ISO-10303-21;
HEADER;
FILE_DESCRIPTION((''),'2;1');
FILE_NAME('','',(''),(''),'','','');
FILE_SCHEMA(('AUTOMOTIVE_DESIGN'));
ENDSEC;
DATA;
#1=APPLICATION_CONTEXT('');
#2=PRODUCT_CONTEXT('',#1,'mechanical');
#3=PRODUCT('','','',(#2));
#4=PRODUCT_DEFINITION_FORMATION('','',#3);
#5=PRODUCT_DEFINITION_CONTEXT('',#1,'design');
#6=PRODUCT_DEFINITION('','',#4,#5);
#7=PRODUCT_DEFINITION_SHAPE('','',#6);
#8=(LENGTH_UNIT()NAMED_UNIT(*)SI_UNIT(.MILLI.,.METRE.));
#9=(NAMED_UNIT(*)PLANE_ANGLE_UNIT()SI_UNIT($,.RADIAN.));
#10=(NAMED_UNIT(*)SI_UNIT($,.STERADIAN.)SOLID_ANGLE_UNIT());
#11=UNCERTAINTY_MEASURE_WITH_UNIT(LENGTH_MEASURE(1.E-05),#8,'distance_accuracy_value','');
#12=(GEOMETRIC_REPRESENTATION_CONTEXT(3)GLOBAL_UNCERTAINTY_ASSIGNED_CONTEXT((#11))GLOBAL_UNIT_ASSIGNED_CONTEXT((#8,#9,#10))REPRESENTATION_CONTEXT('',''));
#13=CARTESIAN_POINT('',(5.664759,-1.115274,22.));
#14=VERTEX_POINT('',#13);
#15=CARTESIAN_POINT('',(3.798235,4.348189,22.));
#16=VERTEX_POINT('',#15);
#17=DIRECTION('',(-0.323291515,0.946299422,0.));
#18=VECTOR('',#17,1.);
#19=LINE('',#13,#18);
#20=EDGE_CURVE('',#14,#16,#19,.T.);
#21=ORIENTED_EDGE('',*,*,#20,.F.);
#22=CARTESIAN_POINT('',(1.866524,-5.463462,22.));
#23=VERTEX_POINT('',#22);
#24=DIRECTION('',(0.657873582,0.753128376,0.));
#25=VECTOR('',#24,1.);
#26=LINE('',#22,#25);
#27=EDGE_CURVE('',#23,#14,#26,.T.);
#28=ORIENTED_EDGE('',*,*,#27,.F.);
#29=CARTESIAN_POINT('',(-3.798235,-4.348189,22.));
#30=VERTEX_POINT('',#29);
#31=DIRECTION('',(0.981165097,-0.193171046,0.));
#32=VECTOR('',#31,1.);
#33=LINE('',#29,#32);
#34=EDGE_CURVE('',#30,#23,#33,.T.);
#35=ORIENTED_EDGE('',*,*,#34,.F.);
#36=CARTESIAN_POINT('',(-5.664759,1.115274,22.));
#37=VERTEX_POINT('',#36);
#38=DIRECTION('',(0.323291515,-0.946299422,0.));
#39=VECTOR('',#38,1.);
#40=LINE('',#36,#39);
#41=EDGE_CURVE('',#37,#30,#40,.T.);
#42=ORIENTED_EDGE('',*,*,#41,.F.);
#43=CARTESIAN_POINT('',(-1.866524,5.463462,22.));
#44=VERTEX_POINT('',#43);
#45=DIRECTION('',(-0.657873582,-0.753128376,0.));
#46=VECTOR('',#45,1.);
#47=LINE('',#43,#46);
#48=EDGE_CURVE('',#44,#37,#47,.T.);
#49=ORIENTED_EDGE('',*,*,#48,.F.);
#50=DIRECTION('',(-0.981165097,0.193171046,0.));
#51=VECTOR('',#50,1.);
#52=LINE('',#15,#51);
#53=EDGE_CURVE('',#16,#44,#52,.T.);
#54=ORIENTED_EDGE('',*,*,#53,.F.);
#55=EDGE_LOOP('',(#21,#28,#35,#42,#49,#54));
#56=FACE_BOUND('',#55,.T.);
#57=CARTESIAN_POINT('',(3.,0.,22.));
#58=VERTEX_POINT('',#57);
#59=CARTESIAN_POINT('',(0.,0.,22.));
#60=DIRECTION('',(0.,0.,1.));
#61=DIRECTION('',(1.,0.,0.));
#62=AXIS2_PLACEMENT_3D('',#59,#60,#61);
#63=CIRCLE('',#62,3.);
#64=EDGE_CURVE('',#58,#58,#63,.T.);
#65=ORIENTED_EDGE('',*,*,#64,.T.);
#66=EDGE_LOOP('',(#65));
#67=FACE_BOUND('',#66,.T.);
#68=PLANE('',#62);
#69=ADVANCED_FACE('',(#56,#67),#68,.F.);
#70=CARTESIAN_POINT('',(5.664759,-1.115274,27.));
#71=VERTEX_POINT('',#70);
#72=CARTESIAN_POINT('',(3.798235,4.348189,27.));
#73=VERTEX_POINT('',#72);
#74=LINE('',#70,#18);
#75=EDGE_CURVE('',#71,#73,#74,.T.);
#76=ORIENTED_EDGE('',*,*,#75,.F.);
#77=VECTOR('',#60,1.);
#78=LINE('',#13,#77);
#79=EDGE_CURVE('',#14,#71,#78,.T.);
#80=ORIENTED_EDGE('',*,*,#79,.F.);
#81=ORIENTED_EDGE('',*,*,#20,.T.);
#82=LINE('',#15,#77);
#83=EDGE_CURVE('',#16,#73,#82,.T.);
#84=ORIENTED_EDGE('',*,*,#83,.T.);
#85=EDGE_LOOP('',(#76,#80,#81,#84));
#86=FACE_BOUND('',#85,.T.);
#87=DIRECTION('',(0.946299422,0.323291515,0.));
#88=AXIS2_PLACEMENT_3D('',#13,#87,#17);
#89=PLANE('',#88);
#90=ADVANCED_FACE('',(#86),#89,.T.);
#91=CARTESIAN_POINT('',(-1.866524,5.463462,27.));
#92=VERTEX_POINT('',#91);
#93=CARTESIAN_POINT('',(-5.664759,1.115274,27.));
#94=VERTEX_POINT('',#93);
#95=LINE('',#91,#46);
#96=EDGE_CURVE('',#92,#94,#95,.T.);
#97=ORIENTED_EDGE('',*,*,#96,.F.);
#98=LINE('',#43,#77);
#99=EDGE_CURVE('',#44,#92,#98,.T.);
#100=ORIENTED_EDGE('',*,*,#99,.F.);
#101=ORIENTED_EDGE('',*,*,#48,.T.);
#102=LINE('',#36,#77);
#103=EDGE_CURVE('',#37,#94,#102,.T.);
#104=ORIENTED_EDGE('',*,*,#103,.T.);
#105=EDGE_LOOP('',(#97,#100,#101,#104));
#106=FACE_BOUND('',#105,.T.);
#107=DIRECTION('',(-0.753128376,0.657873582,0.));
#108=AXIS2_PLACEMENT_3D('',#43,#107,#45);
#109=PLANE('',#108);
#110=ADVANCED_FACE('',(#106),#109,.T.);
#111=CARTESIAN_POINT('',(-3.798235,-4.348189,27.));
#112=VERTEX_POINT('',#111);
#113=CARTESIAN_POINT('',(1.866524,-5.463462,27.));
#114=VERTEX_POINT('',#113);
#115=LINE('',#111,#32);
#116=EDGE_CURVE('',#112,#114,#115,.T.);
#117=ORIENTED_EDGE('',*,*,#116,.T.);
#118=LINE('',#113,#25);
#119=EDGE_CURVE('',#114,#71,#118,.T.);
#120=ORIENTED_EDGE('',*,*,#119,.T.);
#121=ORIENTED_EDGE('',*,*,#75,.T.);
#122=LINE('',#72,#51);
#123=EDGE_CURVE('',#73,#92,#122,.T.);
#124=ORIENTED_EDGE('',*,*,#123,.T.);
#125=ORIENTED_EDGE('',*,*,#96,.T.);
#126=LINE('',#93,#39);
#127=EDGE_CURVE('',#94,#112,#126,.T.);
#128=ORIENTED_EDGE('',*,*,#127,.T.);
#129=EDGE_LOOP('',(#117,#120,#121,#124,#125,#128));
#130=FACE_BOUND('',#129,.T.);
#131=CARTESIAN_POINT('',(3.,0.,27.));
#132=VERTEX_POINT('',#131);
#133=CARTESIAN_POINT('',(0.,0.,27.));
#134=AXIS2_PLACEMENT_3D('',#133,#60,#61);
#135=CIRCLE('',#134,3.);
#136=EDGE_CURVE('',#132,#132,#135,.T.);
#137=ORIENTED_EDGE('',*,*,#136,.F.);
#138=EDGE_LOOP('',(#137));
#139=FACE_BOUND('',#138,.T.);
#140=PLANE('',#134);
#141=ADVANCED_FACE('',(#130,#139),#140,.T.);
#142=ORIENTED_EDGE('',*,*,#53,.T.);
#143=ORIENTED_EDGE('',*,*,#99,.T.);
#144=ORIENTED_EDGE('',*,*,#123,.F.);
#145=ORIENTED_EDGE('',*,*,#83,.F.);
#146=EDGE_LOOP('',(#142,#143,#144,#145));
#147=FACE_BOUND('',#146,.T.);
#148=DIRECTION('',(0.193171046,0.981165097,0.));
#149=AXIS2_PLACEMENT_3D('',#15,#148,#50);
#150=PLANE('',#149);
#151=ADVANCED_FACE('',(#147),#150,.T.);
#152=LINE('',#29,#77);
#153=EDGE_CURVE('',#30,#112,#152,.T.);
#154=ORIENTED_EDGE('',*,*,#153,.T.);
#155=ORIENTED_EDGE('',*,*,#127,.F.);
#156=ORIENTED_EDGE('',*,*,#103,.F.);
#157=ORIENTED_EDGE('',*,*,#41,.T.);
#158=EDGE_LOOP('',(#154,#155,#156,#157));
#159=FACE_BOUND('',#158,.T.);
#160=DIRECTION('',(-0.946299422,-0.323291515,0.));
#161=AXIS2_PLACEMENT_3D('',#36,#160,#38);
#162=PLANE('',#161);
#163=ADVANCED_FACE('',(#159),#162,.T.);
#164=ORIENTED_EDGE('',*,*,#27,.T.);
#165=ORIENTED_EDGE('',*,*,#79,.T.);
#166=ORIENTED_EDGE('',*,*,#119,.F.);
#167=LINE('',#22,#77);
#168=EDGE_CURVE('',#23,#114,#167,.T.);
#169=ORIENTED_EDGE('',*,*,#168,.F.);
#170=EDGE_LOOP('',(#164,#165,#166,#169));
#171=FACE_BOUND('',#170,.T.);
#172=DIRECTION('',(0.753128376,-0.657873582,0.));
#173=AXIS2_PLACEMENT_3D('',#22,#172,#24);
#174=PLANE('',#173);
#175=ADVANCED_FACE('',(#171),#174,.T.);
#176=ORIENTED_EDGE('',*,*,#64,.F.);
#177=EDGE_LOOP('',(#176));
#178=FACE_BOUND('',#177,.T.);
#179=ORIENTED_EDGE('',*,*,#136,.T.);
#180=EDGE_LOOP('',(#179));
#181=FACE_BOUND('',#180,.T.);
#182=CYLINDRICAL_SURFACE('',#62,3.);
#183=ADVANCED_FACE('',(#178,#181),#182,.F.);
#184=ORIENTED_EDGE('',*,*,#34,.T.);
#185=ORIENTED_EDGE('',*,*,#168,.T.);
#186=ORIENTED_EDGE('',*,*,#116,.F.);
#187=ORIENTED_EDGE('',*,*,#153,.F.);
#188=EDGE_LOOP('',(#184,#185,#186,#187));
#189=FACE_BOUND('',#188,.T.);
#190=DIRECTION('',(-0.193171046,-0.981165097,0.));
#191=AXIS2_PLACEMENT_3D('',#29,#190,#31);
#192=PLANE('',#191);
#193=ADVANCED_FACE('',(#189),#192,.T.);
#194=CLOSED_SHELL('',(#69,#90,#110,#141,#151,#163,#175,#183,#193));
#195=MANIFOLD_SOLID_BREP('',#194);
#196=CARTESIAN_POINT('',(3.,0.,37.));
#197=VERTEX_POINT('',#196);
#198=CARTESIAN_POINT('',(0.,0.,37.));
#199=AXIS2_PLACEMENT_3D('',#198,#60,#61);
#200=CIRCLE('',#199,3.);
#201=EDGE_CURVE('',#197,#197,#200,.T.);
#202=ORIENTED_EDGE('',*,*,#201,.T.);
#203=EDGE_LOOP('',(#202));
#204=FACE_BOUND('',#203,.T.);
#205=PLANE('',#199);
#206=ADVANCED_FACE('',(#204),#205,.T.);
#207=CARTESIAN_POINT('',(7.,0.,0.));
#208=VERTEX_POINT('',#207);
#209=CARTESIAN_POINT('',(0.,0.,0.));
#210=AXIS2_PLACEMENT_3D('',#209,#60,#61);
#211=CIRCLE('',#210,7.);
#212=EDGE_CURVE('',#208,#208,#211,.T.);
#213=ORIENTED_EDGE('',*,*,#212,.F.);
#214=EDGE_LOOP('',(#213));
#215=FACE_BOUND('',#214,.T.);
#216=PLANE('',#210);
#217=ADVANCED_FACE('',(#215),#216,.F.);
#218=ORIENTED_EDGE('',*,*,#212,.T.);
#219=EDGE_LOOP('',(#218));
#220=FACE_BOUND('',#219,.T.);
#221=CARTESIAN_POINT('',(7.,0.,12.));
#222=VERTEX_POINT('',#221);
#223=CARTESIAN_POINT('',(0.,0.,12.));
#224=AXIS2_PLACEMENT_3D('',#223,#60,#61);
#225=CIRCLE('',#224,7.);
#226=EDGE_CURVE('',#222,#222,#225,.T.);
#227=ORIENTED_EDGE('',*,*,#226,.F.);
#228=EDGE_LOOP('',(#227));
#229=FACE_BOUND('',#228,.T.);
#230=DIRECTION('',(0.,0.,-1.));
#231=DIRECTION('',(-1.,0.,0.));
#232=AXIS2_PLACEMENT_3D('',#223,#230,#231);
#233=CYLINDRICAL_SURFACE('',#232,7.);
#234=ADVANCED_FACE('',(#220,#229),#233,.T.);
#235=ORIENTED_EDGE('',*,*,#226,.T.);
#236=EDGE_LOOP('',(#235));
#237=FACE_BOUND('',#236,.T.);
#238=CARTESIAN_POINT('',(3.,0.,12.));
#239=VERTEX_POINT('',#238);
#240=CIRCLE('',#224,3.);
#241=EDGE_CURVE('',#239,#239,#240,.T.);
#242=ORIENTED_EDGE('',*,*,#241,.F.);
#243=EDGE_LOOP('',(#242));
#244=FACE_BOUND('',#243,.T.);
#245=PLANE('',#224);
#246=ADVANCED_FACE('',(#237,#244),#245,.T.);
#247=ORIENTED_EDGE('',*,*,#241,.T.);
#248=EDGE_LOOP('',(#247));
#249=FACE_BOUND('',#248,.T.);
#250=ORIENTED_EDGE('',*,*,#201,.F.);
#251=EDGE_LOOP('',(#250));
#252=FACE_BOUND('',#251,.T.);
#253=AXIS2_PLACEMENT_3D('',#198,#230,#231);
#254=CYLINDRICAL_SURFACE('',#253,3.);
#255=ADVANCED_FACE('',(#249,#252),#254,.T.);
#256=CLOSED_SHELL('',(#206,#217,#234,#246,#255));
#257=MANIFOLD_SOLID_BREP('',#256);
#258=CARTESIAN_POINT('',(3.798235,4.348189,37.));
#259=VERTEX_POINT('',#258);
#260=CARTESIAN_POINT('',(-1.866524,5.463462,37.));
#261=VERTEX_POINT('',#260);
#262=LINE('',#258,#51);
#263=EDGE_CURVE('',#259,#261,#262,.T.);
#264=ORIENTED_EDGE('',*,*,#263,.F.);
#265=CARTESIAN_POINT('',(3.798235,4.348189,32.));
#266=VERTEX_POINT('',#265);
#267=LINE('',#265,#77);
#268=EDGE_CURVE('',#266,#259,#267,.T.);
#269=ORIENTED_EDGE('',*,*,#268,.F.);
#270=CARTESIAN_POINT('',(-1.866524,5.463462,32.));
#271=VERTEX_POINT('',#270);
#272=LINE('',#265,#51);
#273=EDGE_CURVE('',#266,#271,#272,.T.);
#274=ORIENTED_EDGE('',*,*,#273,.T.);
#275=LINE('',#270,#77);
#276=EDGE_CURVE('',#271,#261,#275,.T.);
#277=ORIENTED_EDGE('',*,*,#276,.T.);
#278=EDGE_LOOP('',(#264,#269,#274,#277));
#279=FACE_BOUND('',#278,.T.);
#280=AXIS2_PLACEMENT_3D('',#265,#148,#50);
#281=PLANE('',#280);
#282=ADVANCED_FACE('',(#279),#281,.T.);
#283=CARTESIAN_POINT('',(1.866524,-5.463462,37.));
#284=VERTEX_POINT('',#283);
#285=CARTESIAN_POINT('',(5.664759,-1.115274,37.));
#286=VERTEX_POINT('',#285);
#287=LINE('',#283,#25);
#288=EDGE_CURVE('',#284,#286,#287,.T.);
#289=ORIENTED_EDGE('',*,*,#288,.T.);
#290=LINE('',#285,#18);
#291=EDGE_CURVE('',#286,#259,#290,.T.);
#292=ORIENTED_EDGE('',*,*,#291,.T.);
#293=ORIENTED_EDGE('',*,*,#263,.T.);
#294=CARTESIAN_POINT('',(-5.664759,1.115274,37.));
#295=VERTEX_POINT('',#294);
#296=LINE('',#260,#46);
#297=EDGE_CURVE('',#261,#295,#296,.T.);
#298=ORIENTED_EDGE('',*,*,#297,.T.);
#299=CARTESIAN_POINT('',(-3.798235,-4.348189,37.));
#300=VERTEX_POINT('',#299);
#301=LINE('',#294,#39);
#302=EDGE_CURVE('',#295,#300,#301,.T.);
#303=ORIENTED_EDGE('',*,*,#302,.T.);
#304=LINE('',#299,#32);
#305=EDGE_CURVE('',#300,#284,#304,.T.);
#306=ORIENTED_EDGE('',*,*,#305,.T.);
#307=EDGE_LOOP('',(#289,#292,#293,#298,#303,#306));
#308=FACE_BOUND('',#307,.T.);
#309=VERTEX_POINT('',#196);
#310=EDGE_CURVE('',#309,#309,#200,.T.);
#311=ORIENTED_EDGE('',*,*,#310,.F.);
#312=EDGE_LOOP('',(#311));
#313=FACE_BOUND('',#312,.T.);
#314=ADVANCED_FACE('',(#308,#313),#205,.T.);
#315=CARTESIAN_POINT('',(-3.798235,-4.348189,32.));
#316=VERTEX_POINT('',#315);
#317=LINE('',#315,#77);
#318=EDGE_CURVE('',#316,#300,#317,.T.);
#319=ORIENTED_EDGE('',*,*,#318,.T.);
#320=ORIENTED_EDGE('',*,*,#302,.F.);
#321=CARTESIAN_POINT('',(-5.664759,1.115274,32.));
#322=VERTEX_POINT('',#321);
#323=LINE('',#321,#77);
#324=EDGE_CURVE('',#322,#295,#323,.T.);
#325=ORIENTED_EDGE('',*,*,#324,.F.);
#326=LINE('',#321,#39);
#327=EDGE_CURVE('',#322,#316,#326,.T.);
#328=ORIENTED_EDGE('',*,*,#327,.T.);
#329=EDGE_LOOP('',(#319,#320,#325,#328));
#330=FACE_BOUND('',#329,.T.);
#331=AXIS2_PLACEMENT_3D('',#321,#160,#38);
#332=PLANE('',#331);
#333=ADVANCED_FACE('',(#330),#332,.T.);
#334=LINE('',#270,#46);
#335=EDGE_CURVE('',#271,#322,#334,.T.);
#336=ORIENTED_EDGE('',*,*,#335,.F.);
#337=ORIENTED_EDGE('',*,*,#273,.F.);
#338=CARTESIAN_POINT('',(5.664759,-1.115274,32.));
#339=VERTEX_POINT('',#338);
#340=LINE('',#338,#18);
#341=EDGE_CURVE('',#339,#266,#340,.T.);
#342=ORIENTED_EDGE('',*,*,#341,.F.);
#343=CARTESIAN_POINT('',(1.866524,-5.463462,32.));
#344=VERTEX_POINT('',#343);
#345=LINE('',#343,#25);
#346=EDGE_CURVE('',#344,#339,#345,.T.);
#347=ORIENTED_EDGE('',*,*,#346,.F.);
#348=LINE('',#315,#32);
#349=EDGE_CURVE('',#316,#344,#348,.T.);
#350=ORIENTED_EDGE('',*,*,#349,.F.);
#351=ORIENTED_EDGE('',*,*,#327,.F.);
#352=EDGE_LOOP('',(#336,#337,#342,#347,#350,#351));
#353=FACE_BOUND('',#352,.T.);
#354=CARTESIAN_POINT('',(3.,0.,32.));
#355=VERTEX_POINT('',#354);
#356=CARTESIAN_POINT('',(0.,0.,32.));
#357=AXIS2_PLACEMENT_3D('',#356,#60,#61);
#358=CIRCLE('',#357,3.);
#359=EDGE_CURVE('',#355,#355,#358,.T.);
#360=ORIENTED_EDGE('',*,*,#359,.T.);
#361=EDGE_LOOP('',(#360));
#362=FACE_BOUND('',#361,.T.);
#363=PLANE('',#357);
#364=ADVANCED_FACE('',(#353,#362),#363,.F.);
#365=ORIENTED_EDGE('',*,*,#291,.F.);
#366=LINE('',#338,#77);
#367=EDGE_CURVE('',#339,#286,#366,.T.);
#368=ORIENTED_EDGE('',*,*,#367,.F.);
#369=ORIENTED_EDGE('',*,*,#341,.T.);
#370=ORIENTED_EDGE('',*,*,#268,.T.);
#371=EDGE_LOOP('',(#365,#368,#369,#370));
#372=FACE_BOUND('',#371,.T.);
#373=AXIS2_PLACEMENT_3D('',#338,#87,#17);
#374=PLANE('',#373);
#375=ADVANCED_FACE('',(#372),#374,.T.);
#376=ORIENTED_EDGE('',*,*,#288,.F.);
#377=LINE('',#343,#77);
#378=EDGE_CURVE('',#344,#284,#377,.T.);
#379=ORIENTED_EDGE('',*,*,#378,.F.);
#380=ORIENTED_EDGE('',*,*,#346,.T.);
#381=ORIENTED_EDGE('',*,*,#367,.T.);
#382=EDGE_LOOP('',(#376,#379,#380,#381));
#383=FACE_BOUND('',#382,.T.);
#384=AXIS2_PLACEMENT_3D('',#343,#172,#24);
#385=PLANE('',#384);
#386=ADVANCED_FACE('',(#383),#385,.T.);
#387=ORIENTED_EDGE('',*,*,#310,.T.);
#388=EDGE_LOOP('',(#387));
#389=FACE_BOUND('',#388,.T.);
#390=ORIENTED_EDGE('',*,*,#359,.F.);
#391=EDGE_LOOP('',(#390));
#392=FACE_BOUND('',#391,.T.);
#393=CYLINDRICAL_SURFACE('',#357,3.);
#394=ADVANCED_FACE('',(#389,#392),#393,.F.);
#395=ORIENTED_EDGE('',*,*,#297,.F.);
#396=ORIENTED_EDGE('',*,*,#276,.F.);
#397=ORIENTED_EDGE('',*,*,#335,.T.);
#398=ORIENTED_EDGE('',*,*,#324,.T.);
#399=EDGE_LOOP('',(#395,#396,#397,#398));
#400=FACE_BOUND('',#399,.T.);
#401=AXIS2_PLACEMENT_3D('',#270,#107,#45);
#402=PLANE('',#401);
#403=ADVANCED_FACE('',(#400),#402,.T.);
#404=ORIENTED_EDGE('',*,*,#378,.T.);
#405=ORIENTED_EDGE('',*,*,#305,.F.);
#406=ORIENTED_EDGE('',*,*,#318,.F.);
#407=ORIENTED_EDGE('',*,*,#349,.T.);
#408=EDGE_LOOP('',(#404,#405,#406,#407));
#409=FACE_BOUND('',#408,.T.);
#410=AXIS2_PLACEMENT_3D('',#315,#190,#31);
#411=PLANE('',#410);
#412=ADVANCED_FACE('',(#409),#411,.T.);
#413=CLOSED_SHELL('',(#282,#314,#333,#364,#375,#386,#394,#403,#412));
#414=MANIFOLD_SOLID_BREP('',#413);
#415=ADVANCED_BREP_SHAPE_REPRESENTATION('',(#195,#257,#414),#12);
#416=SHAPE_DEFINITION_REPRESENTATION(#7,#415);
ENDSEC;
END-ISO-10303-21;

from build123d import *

# Parameters (mm, degrees)
SKETCH_1_R             = 7
EXTRUDE_1_DEPTH        = 12
SKETCH_2_R             = 3
EXTRUDE_2_DEPTH        = 25
SKETCH_3_R             = 3
EXTRUDE_3_DEPTH        = 5
PATTERN_LINEAR_1_COUNT = 2
PATTERN_LINEAR_1_PITCH = 10


with BuildPart() as part:
    # 草图1 → 凸台-拉伸1 (new body)
    with BuildSketch(Plane.XY):
        Circle(SKETCH_1_R)
    extrude(amount=EXTRUDE_1_DEPTH)

    # 草图2 → 凸台-拉伸2 (add)
    with BuildSketch(Plane.XY.offset(12)):
        Circle(SKETCH_2_R)
    extrude(amount=EXTRUDE_2_DEPTH)


with BuildPart() as body_2:
    # 草图3 → 凸台-拉伸3 (new body)
    with BuildSketch(Plane.XY.offset(37)):
        Polygon((3.798234894, 4.348188706), (-1.866524433, 5.463462261), (-5.664759327, 1.115273555), (-3.798234894, -4.348188706), (1.866524433, -5.463462261), (5.664759327, -1.115273555), align=None)
        Circle(SKETCH_3_R, mode=Mode.SUBTRACT)
    extrude(amount=-EXTRUDE_3_DEPTH)


with BuildPart() as pattern_linear_1_1:
    # 阵列(线性)1: pattern copy
    add(body_2.part.moved(Location(Vector(0, 0, -1) * (1 * PATTERN_LINEAR_1_PITCH))))


solid = Compound([part.part, body_2.part, pattern_linear_1_1.part])
